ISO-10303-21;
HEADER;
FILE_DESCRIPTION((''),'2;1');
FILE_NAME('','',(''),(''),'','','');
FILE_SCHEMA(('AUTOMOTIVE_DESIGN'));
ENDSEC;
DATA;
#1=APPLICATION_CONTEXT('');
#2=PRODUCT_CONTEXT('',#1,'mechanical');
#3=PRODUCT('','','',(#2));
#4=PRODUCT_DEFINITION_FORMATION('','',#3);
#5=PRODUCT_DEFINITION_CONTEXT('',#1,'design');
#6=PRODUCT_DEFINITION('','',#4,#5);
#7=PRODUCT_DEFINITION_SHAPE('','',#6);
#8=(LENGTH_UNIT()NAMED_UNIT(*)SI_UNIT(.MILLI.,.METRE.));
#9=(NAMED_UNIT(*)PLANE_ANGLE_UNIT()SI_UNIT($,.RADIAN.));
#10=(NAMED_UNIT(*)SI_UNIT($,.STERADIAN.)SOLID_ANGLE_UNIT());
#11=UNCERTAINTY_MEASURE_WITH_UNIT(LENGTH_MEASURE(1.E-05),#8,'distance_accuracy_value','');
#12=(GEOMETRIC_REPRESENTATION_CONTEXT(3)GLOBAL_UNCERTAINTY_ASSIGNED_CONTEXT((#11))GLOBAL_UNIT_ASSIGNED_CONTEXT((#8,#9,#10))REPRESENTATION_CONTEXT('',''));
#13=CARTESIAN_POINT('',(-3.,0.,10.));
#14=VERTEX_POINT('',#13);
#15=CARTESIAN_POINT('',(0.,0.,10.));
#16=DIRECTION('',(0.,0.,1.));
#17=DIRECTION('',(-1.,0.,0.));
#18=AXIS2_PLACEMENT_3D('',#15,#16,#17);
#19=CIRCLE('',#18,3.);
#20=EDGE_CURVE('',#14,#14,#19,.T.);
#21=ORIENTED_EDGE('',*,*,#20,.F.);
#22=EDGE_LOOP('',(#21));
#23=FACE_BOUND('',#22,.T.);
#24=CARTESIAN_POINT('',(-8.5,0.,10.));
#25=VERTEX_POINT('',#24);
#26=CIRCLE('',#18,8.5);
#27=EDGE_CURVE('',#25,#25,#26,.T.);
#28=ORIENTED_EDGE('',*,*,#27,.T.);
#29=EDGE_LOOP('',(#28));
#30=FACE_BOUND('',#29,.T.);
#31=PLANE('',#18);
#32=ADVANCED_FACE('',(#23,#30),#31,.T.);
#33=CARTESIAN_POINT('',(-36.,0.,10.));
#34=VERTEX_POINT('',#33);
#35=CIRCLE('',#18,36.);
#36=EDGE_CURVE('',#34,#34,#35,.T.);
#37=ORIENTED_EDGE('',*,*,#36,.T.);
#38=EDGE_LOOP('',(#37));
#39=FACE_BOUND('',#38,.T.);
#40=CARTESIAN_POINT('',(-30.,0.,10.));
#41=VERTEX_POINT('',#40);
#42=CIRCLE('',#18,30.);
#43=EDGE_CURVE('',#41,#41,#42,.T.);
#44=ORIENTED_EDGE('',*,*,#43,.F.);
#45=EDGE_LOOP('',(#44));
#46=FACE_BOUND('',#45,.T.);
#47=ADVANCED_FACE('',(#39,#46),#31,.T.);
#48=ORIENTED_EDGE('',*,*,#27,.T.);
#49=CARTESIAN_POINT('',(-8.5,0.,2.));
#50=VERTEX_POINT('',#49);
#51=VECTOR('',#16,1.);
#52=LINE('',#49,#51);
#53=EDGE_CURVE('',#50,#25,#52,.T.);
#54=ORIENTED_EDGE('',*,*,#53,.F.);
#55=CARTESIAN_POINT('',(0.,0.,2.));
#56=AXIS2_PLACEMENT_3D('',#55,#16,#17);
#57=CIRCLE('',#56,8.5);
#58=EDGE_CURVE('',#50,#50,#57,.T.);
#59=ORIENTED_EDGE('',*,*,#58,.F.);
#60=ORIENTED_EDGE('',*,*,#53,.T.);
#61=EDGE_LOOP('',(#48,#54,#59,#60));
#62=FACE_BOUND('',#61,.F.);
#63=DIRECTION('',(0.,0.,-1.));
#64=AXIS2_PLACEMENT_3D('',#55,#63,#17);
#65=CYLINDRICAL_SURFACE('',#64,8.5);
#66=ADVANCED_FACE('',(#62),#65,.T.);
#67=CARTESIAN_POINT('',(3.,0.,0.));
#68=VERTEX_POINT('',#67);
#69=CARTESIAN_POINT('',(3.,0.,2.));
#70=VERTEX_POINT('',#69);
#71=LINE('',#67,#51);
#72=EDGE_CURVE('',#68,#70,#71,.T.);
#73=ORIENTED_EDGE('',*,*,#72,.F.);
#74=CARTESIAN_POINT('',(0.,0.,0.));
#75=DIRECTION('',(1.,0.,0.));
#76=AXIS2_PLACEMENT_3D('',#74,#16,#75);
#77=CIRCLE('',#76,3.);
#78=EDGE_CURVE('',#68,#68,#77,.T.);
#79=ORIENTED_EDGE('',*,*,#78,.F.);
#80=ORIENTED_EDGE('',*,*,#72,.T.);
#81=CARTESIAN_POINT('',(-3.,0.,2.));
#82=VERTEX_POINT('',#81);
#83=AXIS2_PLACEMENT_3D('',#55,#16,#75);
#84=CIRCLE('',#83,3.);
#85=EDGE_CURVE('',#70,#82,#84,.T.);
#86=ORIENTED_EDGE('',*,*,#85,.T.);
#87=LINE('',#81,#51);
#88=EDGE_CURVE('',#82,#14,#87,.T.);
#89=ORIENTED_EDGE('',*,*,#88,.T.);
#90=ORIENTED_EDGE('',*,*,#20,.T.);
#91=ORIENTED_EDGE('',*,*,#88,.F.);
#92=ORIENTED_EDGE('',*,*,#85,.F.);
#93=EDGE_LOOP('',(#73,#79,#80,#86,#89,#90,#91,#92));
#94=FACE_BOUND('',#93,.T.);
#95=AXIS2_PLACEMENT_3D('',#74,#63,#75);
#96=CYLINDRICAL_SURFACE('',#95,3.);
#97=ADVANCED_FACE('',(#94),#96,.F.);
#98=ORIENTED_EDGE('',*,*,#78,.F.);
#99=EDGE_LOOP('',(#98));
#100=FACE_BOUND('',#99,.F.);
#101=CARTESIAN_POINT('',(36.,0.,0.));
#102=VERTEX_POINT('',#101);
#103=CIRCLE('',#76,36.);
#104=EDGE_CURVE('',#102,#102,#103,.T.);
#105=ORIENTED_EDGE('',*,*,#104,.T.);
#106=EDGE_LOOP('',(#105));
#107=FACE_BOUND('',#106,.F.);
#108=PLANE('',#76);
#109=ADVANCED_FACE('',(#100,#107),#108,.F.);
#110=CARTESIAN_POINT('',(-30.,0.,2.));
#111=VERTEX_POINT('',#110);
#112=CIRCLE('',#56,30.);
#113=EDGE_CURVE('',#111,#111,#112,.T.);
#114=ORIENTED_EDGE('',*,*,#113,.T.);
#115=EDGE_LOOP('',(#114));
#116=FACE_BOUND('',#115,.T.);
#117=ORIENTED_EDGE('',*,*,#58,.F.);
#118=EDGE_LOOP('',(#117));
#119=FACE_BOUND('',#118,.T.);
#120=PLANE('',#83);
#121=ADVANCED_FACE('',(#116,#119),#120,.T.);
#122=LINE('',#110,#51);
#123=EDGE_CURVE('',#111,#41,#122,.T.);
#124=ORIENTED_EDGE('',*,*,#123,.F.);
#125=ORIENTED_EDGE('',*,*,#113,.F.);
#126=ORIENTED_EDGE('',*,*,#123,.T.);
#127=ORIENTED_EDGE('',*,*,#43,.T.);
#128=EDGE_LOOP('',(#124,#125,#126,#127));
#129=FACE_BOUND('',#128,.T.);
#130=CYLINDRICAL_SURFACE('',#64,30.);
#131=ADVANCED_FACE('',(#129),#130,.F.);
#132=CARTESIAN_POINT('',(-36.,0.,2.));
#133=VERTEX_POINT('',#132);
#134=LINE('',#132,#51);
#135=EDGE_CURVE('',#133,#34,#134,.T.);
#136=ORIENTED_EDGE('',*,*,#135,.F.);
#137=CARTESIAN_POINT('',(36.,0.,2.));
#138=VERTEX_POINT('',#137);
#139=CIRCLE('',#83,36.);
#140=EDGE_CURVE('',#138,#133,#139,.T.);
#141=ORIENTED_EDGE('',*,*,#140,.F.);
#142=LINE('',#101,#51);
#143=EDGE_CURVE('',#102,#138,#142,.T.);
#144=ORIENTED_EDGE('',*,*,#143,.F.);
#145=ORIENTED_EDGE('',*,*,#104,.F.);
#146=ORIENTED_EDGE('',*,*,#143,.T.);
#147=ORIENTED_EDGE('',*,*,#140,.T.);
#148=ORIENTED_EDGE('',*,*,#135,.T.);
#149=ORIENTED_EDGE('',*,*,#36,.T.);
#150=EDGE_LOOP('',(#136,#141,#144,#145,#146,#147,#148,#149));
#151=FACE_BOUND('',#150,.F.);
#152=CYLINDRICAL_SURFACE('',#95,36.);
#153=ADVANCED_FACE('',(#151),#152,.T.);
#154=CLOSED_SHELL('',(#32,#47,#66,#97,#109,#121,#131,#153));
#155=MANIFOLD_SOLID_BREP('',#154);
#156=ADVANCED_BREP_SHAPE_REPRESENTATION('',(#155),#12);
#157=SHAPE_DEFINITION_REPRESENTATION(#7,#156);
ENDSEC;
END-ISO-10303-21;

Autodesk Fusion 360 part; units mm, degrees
sketch "Sketch1" plane through (0, 0, 0) normal (0, 0, 1) x (1, 0, 0)
  circle A0 centre (0, 0) radius 36
  circle A1 centre (0, 0) radius 3
  dimension "d1" = 72
  dimension "d2" = 6
extrude "Extrude1" add sketch "Sketch1" along normal blind 2
sketch "Sketch2" plane through (0, 0, 2) normal (0, 0, 1) x (-1, 0, 0)
  circle A0 centre (0, 0) radius 3
  circle A1 centre (0, 0) radius 36
  circle A2 centre (0, 0) radius 30
  circle A3 centre (0, 0) radius 8.5
  dimension "d5" = 60
  dimension "d6" = 17
extrude "Extrude2" add sketch "Sketch2" along normal blind 8
